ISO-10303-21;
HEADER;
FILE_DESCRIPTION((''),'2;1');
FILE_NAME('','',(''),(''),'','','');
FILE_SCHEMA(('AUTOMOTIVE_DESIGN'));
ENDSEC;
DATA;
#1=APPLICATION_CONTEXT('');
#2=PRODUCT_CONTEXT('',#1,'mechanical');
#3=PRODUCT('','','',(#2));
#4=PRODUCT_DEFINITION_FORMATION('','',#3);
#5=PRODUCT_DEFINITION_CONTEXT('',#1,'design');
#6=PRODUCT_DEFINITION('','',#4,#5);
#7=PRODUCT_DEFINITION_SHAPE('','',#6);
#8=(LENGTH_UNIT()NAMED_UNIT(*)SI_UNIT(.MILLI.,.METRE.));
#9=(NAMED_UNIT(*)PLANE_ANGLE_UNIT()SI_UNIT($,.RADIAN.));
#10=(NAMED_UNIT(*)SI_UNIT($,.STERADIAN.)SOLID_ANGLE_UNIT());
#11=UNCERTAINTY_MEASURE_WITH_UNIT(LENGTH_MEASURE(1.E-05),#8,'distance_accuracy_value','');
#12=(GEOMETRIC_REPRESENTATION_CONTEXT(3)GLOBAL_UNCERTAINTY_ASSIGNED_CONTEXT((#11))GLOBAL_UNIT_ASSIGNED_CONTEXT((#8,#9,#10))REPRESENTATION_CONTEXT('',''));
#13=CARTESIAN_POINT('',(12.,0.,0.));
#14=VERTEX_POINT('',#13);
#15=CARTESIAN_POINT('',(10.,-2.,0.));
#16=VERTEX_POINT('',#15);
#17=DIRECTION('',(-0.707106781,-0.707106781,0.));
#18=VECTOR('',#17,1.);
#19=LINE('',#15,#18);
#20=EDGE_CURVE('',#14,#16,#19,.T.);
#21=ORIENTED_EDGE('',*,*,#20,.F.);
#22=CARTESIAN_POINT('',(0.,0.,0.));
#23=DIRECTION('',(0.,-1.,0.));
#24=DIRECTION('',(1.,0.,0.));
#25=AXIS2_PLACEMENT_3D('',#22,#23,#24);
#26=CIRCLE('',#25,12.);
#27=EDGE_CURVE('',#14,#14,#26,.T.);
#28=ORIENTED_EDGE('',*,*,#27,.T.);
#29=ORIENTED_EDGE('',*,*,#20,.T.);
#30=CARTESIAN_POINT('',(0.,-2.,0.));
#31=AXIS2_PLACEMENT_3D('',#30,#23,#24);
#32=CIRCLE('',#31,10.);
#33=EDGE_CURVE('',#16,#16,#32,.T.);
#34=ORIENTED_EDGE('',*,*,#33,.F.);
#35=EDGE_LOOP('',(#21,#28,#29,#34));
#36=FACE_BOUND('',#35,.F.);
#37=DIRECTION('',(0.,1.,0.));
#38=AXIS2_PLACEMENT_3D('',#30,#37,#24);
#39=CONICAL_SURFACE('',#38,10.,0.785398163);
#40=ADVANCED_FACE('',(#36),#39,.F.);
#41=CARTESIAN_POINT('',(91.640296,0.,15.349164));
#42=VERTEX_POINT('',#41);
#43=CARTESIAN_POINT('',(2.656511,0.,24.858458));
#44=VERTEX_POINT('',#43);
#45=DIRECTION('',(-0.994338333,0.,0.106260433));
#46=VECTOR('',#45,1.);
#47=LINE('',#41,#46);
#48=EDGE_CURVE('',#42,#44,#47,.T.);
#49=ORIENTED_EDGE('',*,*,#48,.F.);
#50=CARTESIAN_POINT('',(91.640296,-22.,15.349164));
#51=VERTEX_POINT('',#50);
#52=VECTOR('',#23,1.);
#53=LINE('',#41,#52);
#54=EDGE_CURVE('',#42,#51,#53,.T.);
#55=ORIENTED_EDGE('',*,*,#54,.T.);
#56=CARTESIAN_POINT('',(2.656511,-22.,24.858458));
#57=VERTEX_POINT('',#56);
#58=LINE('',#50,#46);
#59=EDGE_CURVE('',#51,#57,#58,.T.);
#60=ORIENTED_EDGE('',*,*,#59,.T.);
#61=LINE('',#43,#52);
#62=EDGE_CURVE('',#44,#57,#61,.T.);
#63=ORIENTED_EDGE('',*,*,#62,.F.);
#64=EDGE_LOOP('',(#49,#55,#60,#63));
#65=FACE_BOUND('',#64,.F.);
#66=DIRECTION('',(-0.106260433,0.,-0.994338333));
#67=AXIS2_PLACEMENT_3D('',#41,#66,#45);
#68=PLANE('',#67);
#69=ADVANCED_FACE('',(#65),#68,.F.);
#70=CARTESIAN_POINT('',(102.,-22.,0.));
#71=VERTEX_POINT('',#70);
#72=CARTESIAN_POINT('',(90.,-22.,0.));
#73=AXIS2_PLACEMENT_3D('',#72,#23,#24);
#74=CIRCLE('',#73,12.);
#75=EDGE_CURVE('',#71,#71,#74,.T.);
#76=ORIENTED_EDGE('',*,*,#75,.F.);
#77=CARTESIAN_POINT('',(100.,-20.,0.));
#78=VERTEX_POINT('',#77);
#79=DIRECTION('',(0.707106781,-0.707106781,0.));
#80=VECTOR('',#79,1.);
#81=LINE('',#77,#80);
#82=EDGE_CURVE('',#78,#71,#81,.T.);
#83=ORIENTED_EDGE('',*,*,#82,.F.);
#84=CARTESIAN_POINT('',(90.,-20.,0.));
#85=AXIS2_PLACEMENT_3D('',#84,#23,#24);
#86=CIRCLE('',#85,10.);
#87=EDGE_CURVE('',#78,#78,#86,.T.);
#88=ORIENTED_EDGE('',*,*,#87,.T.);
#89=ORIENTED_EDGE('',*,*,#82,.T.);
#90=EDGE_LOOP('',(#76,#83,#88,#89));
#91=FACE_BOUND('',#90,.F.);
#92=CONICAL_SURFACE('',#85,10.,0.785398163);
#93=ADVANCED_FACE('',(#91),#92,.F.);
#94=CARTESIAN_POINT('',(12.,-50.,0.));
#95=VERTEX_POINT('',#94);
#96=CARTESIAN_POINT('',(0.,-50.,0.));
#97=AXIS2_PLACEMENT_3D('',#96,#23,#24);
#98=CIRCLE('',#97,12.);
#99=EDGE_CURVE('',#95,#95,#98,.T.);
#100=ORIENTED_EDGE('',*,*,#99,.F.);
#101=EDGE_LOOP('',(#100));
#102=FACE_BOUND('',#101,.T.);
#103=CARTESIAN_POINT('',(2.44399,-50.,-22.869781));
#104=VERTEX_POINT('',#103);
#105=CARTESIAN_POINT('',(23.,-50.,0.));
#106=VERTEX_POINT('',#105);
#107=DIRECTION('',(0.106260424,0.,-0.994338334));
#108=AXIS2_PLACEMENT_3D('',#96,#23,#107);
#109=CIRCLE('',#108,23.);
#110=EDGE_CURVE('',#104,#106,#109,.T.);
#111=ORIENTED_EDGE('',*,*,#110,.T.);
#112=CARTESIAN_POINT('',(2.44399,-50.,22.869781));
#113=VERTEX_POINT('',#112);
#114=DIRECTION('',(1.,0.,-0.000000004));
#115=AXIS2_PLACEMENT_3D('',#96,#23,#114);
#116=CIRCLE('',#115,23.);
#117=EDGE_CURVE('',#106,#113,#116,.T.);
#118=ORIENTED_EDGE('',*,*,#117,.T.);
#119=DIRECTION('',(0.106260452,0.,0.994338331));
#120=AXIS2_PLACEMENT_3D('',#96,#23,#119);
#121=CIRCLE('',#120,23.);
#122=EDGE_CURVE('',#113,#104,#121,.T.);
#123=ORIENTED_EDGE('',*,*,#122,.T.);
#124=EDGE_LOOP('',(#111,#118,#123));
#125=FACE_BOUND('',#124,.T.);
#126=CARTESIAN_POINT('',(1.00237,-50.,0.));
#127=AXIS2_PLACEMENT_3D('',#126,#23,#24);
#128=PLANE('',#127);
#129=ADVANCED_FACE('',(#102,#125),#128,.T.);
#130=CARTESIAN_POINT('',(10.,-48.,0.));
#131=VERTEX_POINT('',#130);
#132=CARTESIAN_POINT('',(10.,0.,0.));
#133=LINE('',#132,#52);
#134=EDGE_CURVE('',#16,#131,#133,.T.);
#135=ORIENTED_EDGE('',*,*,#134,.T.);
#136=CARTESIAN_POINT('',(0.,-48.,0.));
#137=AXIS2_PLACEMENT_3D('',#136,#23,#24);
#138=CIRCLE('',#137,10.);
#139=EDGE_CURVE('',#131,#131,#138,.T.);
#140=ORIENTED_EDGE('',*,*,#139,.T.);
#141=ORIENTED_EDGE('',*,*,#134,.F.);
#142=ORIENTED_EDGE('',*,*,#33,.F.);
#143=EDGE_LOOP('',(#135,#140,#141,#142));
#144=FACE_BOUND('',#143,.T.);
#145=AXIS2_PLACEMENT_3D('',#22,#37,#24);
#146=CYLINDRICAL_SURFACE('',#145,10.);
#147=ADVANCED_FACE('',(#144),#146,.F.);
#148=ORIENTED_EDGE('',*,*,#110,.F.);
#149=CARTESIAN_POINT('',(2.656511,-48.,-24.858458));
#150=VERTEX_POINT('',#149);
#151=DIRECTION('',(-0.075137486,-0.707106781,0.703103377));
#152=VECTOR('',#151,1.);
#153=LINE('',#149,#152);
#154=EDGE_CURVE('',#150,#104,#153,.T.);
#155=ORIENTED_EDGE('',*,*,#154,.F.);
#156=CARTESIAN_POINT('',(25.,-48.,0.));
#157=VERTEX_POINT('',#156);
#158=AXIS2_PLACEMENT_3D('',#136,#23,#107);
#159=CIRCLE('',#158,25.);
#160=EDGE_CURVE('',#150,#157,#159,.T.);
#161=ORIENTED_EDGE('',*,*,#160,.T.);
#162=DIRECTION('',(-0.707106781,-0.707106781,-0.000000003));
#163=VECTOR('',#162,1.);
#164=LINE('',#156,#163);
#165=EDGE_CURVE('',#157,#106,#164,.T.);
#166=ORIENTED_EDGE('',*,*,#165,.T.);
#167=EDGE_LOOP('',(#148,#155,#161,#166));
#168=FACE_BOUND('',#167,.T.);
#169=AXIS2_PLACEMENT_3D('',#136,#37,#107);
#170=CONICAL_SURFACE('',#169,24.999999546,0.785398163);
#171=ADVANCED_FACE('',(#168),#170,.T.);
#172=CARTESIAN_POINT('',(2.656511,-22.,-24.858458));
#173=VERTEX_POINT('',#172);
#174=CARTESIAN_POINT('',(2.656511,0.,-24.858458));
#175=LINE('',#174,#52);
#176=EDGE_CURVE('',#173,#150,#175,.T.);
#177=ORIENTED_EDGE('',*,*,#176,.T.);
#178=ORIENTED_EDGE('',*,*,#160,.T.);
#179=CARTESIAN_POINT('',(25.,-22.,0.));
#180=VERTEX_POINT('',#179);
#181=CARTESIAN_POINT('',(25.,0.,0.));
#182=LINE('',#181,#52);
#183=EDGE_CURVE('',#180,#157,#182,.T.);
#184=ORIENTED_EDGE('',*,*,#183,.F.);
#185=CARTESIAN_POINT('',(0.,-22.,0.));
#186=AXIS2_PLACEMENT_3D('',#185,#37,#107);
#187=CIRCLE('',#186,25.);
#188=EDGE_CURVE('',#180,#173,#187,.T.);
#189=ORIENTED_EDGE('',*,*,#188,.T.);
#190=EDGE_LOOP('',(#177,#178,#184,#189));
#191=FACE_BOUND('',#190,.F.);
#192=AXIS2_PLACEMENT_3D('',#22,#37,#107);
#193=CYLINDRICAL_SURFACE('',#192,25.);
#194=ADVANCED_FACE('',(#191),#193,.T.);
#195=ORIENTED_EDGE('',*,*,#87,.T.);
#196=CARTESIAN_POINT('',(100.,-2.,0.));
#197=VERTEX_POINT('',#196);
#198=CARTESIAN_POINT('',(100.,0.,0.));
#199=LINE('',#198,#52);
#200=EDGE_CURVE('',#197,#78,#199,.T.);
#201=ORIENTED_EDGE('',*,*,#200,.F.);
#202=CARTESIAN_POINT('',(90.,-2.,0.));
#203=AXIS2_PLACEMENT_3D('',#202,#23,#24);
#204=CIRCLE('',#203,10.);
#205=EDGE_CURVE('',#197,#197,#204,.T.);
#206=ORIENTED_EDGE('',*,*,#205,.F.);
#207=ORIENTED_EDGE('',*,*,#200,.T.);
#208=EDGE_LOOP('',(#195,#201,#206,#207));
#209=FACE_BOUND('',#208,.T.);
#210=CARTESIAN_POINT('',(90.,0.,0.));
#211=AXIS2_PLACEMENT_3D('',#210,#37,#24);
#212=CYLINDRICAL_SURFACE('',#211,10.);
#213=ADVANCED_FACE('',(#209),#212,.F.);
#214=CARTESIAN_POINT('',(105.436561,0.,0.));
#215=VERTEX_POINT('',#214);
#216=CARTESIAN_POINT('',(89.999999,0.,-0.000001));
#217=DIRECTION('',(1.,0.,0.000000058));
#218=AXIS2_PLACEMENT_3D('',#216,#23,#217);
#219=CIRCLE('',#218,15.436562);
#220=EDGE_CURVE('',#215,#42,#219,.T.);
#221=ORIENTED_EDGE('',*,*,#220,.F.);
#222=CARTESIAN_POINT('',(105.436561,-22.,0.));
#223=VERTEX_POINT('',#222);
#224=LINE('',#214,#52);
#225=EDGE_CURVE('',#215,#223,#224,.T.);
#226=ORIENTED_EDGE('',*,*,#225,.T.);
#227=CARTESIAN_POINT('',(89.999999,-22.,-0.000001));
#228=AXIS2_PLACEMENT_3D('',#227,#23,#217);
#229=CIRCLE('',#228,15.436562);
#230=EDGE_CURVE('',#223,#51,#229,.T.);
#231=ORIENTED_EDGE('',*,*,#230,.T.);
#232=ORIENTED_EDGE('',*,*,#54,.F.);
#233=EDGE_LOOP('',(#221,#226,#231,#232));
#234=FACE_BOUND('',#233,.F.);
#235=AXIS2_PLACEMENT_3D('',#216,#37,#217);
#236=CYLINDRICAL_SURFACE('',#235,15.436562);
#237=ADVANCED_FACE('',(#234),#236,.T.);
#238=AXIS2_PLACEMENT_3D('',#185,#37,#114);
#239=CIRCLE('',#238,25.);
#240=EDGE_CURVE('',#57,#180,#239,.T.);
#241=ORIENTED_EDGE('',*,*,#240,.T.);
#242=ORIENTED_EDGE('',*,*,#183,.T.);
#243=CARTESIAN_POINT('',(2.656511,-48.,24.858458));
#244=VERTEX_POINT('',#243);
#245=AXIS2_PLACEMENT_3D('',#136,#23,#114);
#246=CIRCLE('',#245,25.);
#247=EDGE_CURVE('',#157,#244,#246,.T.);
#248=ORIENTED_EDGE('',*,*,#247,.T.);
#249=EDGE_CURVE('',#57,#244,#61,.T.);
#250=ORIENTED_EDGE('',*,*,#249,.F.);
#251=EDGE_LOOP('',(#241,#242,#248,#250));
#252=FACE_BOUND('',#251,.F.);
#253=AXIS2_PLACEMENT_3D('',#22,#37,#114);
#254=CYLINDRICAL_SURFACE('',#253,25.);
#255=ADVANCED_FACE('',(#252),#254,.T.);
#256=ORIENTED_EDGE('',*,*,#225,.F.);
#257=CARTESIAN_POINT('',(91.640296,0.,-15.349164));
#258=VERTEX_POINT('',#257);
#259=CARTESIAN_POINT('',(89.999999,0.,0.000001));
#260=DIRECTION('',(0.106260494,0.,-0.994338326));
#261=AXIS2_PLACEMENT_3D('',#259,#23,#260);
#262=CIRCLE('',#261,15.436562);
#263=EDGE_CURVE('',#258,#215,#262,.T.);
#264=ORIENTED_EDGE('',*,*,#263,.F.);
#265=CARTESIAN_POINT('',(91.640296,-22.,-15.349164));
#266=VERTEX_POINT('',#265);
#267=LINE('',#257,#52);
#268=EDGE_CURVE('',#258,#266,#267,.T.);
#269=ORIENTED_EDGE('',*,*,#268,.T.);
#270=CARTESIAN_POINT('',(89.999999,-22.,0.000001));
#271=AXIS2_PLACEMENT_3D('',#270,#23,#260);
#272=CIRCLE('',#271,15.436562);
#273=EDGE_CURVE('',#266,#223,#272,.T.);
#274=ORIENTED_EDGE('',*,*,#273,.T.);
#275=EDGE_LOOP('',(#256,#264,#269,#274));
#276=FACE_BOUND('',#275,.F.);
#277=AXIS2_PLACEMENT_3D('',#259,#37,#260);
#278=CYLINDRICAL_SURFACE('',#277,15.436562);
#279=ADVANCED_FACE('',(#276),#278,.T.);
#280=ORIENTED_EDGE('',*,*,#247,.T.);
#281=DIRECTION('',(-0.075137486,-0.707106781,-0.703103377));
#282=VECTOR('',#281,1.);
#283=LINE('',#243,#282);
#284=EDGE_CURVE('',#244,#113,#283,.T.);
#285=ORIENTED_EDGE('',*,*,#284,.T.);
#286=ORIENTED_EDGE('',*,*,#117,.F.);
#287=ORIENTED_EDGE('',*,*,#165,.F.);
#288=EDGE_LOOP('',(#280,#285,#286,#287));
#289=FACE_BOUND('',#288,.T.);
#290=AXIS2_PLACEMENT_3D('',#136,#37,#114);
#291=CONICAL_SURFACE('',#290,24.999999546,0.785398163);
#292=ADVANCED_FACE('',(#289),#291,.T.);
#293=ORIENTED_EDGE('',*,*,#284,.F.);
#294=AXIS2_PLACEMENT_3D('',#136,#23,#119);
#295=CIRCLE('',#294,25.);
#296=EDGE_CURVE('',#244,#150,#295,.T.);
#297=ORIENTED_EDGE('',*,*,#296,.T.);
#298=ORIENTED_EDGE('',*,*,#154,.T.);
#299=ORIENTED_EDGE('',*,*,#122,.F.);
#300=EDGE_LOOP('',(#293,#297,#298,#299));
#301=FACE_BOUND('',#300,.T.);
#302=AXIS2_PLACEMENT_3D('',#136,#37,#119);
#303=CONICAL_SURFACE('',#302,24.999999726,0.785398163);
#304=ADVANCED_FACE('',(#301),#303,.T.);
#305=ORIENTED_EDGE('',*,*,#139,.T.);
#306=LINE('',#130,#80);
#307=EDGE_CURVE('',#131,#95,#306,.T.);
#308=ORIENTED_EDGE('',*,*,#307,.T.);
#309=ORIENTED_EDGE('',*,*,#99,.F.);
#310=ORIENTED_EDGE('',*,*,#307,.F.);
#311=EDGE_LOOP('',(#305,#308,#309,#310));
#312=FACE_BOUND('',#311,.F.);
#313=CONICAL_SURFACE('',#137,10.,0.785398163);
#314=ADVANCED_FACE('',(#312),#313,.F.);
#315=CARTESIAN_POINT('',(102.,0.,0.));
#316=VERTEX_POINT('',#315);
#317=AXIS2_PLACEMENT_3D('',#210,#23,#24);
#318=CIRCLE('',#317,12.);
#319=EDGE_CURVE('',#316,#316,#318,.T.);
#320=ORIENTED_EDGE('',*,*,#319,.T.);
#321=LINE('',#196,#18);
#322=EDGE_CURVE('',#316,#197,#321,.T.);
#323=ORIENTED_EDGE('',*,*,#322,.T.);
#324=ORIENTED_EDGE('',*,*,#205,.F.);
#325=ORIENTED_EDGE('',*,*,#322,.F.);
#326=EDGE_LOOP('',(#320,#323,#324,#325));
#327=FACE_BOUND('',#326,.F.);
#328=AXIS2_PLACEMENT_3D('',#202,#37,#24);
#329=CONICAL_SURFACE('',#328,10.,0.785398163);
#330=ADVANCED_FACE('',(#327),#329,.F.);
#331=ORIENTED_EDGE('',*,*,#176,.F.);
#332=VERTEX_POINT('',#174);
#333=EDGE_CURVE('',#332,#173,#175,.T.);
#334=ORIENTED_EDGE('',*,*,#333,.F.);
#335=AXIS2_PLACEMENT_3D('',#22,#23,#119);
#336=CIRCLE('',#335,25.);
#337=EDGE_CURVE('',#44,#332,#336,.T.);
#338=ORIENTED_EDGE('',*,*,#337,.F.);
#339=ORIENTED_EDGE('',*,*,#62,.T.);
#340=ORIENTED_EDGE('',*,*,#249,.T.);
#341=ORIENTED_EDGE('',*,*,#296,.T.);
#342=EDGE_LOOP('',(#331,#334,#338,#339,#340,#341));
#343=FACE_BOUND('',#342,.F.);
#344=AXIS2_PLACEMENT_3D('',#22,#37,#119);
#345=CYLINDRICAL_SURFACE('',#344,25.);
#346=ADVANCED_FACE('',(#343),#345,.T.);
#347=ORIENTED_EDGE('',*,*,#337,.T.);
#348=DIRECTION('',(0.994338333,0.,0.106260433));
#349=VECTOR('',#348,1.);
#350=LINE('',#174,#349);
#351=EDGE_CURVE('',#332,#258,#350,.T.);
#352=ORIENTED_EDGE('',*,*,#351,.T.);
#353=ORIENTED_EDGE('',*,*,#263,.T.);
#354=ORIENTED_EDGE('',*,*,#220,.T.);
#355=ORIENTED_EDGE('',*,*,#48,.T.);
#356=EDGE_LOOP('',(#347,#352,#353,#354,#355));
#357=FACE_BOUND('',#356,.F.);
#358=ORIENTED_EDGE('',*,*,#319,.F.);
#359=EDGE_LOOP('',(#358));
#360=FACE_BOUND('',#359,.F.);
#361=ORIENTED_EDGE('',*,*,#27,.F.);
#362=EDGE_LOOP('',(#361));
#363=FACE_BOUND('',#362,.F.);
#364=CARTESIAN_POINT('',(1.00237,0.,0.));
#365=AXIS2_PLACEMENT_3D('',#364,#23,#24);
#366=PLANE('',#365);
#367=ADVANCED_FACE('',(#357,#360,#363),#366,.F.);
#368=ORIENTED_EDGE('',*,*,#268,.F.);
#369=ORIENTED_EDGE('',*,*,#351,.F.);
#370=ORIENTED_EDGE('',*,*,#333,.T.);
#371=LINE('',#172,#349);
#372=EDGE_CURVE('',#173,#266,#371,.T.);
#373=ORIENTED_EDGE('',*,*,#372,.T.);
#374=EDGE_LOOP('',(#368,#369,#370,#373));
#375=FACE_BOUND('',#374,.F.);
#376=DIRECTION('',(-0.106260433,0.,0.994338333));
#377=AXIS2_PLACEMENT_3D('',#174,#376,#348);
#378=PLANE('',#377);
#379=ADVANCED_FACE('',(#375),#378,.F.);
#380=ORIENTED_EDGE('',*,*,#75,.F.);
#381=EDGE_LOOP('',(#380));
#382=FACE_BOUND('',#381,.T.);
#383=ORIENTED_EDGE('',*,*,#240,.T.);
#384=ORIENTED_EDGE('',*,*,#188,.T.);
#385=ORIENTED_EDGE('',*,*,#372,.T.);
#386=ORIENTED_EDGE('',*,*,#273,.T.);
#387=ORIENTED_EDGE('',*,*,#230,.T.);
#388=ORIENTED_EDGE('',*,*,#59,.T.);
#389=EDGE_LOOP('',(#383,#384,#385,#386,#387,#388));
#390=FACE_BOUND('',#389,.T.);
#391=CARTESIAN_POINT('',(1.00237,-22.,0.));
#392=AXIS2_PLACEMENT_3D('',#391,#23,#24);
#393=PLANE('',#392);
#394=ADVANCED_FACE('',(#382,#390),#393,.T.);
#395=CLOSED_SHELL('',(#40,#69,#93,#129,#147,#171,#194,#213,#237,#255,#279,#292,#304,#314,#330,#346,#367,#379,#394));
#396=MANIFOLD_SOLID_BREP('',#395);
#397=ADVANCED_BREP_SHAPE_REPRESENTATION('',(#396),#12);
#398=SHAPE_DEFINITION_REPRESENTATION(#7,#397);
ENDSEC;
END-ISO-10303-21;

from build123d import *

# Parameters (mm, degrees)
F0_R     = 10
F2_DEPTH = 22
F3_DEPTH = 50
F4_SIZE  = 2


with BuildPart() as f2:
    # F0 (on Front) → F2 (new body)
    with BuildSketch(Plane.XZ):
        with BuildLine():
            ThreePointArc((2.656511, -24.858458), (18.593181, -16.71208), (25, 0))
            ThreePointArc((25, 0), (18.593181, 16.71208), (2.656511, 24.858458))
            ThreePointArc((2.656511, 24.858458), (-25, 0), (2.656511, -24.858458))
        make_face()
        Circle(F0_R, mode=Mode.SUBTRACT)
        with BuildLine():
            ThreePointArc((2.656511, 24.858458), (18.593181, 16.71208), (25, 0))
            ThreePointArc((25, 0), (18.593181, -16.71208), (2.656511, -24.858458))
            Line((2.656511, -24.858458), (91.640296, -15.349164))
            ThreePointArc((91.640296, -15.349164), (74.563439, 0), (91.640296, 15.349164))
            Line((91.640296, 15.349164), (2.656511, 24.858458))
        make_face()
        with BuildLine():
            ThreePointArc((105.436561, 0), (101.480591, 10.319081), (91.640296, 15.349164))
            ThreePointArc((91.640296, 15.349164), (74.563439, 0), (91.640296, -15.349164))
            ThreePointArc((91.640296, -15.349164), (101.480591, -10.319081), (105.436561, 0))
        make_face()
        with Locations((90, 0)):
            Circle(F0_R, mode=Mode.SUBTRACT)
    extrude(amount=F2_DEPTH)

    # F0 (on Front) → F3 (join)
    with BuildSketch(Plane.XZ):
        with BuildLine():
            ThreePointArc((2.656511, -24.858458), (18.593181, -16.71208), (25, 0))
            ThreePointArc((25, 0), (18.593181, 16.71208), (2.656511, 24.858458))
            ThreePointArc((2.656511, 24.858458), (-25, 0), (2.656511, -24.858458))
        make_face()
        Circle(F0_R, mode=Mode.SUBTRACT)
    extrude(amount=F3_DEPTH)

    # F4
    f4_edges = [f2.edges().sort_by_distance(p)[0] for p in [
        (80, -22, 0),
        (-10, -50, 0),
        (-2.656511, -50, 24.858458),
        (80, 0, 0),
        (-10, 0, 0),
    ]]
    chamfer(f4_edges, length=F4_SIZE)


solid = f2.part
